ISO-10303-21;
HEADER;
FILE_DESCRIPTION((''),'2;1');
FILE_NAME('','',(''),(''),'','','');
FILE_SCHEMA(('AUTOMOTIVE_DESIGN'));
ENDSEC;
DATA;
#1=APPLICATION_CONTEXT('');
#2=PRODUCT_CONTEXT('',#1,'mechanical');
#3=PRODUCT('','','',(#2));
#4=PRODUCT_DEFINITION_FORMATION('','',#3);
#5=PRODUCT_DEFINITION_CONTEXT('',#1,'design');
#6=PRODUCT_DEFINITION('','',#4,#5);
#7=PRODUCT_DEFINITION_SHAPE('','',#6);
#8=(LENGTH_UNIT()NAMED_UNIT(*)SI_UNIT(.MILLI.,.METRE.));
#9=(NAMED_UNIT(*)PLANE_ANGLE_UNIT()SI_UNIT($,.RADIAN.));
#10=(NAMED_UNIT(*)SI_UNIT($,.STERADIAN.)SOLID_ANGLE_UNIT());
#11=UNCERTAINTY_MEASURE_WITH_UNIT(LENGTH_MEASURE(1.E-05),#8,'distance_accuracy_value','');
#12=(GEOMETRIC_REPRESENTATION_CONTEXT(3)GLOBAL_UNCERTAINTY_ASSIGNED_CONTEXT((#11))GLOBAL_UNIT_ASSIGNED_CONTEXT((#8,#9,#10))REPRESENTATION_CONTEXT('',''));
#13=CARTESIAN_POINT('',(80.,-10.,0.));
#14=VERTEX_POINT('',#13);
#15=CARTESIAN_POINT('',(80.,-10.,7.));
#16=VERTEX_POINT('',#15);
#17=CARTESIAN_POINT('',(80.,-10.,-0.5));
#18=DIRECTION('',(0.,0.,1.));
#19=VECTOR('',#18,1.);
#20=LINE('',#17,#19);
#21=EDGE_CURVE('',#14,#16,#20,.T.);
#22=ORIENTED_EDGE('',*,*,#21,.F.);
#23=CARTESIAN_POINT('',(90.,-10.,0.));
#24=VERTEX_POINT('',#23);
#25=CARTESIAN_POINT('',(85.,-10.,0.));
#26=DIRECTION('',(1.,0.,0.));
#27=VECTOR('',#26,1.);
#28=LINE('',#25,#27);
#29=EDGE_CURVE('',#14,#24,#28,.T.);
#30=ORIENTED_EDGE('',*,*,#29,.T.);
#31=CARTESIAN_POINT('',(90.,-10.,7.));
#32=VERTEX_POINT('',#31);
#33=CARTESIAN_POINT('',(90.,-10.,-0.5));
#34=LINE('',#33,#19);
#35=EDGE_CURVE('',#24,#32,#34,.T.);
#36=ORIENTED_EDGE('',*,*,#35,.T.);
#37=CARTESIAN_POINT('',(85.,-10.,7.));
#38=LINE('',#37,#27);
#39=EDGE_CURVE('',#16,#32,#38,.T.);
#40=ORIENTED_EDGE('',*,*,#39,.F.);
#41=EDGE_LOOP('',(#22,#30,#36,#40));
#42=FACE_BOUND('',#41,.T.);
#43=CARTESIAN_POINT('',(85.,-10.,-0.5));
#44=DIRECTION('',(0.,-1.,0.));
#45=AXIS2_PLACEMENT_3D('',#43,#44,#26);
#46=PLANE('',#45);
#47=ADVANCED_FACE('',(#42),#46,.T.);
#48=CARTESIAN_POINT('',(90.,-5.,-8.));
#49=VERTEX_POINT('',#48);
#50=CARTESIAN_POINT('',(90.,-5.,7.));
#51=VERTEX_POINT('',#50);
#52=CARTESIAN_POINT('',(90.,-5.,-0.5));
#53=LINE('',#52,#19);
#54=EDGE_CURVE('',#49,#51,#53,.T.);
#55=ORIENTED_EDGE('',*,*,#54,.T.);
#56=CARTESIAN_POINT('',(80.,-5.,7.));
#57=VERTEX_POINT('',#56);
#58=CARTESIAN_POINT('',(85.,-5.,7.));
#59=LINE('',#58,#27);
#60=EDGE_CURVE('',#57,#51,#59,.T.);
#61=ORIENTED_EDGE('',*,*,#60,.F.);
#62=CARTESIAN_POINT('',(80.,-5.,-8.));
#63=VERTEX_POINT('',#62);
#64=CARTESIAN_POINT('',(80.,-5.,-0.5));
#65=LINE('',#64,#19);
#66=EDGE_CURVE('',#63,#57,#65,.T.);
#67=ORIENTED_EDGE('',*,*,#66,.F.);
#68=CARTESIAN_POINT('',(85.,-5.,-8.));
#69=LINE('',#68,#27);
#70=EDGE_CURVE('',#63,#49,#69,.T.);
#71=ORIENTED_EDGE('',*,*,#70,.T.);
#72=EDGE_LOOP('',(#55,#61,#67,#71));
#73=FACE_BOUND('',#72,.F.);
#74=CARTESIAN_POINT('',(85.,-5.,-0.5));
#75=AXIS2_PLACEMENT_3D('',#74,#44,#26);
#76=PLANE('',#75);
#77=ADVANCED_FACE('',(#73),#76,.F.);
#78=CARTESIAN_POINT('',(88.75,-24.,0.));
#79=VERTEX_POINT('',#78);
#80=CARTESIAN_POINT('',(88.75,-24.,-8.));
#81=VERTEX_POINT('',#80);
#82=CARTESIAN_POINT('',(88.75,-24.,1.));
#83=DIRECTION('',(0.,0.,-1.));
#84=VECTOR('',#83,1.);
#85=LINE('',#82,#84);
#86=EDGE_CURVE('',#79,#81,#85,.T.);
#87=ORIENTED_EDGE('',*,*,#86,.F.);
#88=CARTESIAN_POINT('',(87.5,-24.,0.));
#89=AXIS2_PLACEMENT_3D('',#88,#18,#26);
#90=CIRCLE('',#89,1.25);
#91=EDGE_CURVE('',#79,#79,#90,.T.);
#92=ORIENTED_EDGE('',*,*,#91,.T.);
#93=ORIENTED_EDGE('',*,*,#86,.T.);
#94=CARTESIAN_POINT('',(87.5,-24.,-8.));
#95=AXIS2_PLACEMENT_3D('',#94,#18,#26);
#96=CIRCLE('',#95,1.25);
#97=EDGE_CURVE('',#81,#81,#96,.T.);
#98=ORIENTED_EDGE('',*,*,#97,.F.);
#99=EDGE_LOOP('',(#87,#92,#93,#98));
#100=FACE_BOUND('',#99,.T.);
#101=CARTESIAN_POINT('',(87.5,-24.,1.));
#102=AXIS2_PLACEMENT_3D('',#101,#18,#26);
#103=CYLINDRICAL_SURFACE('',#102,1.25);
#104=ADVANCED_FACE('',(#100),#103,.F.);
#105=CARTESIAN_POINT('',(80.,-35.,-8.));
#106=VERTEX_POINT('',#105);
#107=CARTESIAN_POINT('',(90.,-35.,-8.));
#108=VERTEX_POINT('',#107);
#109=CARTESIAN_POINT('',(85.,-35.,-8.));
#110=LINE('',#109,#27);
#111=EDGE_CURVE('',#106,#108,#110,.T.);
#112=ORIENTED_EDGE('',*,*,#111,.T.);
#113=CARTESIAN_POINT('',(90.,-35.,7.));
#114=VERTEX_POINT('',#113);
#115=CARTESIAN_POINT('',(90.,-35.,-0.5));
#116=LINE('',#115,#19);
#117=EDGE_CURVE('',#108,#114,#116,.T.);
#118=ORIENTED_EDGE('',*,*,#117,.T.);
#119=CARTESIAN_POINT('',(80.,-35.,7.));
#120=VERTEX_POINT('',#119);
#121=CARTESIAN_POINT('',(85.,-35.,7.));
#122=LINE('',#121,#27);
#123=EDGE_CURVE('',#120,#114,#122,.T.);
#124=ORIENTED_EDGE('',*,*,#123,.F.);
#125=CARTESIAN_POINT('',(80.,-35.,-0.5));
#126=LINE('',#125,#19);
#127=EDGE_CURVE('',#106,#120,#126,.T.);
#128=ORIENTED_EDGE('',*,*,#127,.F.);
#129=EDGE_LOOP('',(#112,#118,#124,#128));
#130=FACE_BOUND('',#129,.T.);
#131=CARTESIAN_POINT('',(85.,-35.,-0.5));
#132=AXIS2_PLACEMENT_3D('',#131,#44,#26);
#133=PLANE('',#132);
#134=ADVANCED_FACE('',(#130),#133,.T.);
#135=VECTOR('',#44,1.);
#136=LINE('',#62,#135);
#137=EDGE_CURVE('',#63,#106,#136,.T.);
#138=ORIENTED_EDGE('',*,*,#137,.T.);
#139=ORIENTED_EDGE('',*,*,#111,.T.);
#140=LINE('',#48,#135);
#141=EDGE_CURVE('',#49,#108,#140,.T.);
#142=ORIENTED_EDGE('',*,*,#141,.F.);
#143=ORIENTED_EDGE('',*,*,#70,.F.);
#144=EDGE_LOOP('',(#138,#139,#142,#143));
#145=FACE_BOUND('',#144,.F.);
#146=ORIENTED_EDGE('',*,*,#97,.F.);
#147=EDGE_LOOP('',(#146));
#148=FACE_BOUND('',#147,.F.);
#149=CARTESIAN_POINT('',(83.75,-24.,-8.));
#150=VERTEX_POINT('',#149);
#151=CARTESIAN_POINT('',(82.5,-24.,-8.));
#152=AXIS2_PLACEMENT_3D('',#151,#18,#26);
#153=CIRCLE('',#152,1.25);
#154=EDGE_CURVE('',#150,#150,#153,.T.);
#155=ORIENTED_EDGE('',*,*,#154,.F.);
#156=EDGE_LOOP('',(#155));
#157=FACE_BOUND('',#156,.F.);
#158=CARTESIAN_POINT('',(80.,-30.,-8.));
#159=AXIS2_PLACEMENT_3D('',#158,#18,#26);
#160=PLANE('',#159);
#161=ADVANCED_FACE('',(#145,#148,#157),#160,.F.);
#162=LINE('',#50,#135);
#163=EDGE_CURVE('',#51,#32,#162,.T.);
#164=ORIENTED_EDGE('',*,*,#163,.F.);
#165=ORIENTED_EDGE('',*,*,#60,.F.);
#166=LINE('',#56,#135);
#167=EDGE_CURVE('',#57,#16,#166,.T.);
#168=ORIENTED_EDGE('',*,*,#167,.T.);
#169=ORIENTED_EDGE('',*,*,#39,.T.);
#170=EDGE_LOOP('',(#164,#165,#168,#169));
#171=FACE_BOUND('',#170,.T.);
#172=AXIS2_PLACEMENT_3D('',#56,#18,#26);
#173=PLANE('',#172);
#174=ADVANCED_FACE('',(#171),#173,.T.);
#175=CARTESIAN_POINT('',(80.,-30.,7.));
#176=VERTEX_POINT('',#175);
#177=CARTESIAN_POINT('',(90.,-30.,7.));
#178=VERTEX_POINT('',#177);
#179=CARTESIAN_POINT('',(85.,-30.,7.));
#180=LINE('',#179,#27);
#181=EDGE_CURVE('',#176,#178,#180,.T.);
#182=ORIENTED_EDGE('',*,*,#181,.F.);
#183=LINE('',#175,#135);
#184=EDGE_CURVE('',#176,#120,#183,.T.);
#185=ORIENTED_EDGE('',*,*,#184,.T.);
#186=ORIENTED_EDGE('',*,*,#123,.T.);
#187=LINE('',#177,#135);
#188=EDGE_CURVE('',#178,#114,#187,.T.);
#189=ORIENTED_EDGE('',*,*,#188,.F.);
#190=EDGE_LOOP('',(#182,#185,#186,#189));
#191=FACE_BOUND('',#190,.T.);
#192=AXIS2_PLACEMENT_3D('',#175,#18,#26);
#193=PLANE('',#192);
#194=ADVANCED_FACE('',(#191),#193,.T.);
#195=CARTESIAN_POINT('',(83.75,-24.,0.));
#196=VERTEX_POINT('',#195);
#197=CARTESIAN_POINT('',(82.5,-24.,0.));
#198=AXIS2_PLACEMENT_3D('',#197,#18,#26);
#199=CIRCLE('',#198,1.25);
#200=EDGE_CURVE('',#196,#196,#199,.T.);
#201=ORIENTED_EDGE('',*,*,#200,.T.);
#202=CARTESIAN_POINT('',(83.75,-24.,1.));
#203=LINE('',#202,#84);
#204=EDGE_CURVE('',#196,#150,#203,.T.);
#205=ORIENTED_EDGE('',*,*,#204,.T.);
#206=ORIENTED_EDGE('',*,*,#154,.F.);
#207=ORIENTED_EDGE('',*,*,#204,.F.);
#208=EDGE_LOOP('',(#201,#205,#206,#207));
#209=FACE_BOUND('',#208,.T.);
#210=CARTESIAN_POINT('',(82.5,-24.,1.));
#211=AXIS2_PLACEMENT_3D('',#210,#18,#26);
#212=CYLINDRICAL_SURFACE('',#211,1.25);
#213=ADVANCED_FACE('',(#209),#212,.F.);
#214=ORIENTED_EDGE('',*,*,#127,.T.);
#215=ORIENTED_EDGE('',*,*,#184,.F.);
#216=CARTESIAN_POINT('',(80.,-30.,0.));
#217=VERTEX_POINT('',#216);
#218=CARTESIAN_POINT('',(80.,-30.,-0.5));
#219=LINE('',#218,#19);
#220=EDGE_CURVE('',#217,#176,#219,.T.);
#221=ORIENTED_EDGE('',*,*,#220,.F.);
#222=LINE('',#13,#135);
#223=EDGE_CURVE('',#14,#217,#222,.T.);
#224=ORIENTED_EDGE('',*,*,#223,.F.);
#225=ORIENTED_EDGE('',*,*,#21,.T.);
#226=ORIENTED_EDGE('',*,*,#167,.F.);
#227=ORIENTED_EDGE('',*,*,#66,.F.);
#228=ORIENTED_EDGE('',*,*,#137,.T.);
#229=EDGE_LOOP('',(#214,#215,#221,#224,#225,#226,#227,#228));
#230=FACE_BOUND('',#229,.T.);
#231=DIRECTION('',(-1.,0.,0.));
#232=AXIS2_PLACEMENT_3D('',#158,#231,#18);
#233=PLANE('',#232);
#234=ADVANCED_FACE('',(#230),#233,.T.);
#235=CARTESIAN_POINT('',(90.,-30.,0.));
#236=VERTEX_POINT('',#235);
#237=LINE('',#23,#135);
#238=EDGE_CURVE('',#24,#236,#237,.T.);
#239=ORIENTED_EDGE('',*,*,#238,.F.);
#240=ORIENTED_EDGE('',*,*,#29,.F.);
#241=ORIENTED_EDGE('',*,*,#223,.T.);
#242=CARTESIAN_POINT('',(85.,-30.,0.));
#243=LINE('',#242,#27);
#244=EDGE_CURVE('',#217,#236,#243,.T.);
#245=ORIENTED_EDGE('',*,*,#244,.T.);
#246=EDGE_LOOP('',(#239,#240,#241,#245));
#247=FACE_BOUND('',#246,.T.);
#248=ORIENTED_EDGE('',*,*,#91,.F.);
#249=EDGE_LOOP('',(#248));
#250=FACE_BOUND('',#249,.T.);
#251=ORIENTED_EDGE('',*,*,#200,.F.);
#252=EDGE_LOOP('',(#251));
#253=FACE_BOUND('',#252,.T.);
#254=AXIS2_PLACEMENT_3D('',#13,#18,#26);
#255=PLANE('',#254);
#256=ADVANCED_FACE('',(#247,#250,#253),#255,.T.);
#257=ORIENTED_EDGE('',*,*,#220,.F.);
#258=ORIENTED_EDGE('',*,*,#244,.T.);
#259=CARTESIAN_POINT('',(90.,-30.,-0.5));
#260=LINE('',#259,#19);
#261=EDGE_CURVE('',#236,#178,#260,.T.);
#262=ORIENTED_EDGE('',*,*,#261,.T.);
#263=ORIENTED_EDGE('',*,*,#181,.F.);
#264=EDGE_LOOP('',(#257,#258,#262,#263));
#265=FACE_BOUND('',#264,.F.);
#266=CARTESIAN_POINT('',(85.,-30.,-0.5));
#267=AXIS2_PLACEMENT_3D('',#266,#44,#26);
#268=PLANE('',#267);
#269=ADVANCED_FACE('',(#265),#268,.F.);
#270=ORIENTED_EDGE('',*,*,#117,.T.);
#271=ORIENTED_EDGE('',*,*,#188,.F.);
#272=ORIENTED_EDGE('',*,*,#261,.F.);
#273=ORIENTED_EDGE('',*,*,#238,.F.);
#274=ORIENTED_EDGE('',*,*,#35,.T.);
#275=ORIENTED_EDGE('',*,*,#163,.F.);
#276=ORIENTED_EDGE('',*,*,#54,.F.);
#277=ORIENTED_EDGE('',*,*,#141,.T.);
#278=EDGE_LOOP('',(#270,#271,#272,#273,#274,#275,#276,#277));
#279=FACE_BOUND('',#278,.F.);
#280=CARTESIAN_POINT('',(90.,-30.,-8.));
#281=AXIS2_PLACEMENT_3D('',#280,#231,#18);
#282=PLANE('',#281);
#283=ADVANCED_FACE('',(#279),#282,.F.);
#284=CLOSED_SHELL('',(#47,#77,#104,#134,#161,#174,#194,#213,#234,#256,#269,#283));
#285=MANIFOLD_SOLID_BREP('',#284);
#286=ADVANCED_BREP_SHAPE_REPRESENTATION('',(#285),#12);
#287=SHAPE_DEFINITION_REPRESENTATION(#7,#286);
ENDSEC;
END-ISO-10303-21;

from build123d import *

# Parameters (mm, degrees)
CYLINDER062_R          = 1.25
CYLINDER062_DEPTH      = 10
CYLINDER060_R          = 1.25
CYLINDER060_DEPTH      = 10
CYLINDER061_R          = 1.25
CYLINDER061_DEPTH      = 10
CYLINDER059_R          = 1.25
CYLINDER059_DEPTH      = 10
BOX025_W               = 10
BOX025_H               = 8
BOX025_DEPTH           = 20
BOX026_W               = 10
BOX026_H               = 15
BOX026_DEPTH           = 5
BOX024_W               = 10
BOX024_H               = 15
BOX024_DEPTH           = 5
CUT030_PLACEMENT_ANGLE = 90


with BuildPart() as cylinder062:
    # Cylinder062 → Cylinder062 (new body)
    with BuildSketch(Plane(origin=(87.5, 61, 14), x_dir=(1, 0, 0), z_dir=(0, -1, 0))):
        Circle(CYLINDER062_R)
    extrude(amount=CYLINDER062_DEPTH)


with BuildPart() as fusion060:
    # Cylinder060 → Cylinder060 (new body)
    with BuildSketch(Plane(origin=(87.5, 11, 14), x_dir=(1, 0, 0), z_dir=(0, -1, 0))):
        Circle(CYLINDER060_R)
    extrude(amount=CYLINDER060_DEPTH)

    # Fusion060: union Cylinder062
    add(cylinder062.part)


with BuildPart() as cylinder061:
    # Cylinder061 → Cylinder061 (new body)
    with BuildSketch(Plane(origin=(82.5, 61, 14), x_dir=(1, 0, 0), z_dir=(0, -1, 0))):
        Circle(CYLINDER061_R)
    extrude(amount=CYLINDER061_DEPTH)


with BuildPart() as fusion061:
    # Cylinder059 → Cylinder059 (new body)
    with BuildSketch(Plane(origin=(82.5, 11, 14), x_dir=(1, 0, 0), z_dir=(0, -1, 0))):
        Circle(CYLINDER059_R)
    extrude(amount=CYLINDER059_DEPTH)

    # Fusion062: union Cylinder061
    add(cylinder061.part)

    # Fusion061: union Fusion060
    add(fusion060.part)


with BuildPart() as fusion061_1:
    # Fusion061 placement: moved
    add(fusion061.part.moved(Location((0, -10, 0))))


with BuildPart() as cube004:
    # Box025 → Box025 (new body)
    with BuildSketch(Plane(origin=(0, -10, 0), x_dir=(1, 0, 0), z_dir=(0, 0, 1))):
        with Locations((5, 4)):
            Rectangle(BOX025_W, BOX025_H)
    extrude(amount=BOX025_DEPTH)


with BuildPart() as cube005:
    # Box026 → Box026 (new body)
    with BuildSketch(Plane(origin=(0, -10, 20), x_dir=(1, 0, 0), z_dir=(0, 0, 1))):
        with Locations((5, 7.5)):
            Rectangle(BOX026_W, BOX026_H)
    extrude(amount=BOX026_DEPTH)


with BuildPart() as cut030:
    # Box024 → Box024 (new body)
    with BuildSketch(Plane(origin=(0, -10, -5), x_dir=(1, 0, 0), z_dir=(0, 0, 1))):
        with Locations((5, 7.5)):
            Rectangle(BOX024_W, BOX024_H)
    extrude(amount=BOX024_DEPTH)

    # Fusion066: union Cube004, Cube005
    add(cube004.part)
    add(cube005.part)


with BuildPart() as cut030_1:
    # Fusion066 placement: moved
    add(cut030.part.moved(Location((80, 2, 0))))

    # Cut030: cut Fusion061
    add(fusion061_1.part, mode=Mode.SUBTRACT)


with BuildPart() as cut030_2:
    # Cut030 placement: moved
    add(cut030_1.part.moved(Location((0, -10, 0))).rotate(Axis((0, -10, 0), (1, 0, 0)), CUT030_PLACEMENT_ANGLE))


solid = cut030_2.part
